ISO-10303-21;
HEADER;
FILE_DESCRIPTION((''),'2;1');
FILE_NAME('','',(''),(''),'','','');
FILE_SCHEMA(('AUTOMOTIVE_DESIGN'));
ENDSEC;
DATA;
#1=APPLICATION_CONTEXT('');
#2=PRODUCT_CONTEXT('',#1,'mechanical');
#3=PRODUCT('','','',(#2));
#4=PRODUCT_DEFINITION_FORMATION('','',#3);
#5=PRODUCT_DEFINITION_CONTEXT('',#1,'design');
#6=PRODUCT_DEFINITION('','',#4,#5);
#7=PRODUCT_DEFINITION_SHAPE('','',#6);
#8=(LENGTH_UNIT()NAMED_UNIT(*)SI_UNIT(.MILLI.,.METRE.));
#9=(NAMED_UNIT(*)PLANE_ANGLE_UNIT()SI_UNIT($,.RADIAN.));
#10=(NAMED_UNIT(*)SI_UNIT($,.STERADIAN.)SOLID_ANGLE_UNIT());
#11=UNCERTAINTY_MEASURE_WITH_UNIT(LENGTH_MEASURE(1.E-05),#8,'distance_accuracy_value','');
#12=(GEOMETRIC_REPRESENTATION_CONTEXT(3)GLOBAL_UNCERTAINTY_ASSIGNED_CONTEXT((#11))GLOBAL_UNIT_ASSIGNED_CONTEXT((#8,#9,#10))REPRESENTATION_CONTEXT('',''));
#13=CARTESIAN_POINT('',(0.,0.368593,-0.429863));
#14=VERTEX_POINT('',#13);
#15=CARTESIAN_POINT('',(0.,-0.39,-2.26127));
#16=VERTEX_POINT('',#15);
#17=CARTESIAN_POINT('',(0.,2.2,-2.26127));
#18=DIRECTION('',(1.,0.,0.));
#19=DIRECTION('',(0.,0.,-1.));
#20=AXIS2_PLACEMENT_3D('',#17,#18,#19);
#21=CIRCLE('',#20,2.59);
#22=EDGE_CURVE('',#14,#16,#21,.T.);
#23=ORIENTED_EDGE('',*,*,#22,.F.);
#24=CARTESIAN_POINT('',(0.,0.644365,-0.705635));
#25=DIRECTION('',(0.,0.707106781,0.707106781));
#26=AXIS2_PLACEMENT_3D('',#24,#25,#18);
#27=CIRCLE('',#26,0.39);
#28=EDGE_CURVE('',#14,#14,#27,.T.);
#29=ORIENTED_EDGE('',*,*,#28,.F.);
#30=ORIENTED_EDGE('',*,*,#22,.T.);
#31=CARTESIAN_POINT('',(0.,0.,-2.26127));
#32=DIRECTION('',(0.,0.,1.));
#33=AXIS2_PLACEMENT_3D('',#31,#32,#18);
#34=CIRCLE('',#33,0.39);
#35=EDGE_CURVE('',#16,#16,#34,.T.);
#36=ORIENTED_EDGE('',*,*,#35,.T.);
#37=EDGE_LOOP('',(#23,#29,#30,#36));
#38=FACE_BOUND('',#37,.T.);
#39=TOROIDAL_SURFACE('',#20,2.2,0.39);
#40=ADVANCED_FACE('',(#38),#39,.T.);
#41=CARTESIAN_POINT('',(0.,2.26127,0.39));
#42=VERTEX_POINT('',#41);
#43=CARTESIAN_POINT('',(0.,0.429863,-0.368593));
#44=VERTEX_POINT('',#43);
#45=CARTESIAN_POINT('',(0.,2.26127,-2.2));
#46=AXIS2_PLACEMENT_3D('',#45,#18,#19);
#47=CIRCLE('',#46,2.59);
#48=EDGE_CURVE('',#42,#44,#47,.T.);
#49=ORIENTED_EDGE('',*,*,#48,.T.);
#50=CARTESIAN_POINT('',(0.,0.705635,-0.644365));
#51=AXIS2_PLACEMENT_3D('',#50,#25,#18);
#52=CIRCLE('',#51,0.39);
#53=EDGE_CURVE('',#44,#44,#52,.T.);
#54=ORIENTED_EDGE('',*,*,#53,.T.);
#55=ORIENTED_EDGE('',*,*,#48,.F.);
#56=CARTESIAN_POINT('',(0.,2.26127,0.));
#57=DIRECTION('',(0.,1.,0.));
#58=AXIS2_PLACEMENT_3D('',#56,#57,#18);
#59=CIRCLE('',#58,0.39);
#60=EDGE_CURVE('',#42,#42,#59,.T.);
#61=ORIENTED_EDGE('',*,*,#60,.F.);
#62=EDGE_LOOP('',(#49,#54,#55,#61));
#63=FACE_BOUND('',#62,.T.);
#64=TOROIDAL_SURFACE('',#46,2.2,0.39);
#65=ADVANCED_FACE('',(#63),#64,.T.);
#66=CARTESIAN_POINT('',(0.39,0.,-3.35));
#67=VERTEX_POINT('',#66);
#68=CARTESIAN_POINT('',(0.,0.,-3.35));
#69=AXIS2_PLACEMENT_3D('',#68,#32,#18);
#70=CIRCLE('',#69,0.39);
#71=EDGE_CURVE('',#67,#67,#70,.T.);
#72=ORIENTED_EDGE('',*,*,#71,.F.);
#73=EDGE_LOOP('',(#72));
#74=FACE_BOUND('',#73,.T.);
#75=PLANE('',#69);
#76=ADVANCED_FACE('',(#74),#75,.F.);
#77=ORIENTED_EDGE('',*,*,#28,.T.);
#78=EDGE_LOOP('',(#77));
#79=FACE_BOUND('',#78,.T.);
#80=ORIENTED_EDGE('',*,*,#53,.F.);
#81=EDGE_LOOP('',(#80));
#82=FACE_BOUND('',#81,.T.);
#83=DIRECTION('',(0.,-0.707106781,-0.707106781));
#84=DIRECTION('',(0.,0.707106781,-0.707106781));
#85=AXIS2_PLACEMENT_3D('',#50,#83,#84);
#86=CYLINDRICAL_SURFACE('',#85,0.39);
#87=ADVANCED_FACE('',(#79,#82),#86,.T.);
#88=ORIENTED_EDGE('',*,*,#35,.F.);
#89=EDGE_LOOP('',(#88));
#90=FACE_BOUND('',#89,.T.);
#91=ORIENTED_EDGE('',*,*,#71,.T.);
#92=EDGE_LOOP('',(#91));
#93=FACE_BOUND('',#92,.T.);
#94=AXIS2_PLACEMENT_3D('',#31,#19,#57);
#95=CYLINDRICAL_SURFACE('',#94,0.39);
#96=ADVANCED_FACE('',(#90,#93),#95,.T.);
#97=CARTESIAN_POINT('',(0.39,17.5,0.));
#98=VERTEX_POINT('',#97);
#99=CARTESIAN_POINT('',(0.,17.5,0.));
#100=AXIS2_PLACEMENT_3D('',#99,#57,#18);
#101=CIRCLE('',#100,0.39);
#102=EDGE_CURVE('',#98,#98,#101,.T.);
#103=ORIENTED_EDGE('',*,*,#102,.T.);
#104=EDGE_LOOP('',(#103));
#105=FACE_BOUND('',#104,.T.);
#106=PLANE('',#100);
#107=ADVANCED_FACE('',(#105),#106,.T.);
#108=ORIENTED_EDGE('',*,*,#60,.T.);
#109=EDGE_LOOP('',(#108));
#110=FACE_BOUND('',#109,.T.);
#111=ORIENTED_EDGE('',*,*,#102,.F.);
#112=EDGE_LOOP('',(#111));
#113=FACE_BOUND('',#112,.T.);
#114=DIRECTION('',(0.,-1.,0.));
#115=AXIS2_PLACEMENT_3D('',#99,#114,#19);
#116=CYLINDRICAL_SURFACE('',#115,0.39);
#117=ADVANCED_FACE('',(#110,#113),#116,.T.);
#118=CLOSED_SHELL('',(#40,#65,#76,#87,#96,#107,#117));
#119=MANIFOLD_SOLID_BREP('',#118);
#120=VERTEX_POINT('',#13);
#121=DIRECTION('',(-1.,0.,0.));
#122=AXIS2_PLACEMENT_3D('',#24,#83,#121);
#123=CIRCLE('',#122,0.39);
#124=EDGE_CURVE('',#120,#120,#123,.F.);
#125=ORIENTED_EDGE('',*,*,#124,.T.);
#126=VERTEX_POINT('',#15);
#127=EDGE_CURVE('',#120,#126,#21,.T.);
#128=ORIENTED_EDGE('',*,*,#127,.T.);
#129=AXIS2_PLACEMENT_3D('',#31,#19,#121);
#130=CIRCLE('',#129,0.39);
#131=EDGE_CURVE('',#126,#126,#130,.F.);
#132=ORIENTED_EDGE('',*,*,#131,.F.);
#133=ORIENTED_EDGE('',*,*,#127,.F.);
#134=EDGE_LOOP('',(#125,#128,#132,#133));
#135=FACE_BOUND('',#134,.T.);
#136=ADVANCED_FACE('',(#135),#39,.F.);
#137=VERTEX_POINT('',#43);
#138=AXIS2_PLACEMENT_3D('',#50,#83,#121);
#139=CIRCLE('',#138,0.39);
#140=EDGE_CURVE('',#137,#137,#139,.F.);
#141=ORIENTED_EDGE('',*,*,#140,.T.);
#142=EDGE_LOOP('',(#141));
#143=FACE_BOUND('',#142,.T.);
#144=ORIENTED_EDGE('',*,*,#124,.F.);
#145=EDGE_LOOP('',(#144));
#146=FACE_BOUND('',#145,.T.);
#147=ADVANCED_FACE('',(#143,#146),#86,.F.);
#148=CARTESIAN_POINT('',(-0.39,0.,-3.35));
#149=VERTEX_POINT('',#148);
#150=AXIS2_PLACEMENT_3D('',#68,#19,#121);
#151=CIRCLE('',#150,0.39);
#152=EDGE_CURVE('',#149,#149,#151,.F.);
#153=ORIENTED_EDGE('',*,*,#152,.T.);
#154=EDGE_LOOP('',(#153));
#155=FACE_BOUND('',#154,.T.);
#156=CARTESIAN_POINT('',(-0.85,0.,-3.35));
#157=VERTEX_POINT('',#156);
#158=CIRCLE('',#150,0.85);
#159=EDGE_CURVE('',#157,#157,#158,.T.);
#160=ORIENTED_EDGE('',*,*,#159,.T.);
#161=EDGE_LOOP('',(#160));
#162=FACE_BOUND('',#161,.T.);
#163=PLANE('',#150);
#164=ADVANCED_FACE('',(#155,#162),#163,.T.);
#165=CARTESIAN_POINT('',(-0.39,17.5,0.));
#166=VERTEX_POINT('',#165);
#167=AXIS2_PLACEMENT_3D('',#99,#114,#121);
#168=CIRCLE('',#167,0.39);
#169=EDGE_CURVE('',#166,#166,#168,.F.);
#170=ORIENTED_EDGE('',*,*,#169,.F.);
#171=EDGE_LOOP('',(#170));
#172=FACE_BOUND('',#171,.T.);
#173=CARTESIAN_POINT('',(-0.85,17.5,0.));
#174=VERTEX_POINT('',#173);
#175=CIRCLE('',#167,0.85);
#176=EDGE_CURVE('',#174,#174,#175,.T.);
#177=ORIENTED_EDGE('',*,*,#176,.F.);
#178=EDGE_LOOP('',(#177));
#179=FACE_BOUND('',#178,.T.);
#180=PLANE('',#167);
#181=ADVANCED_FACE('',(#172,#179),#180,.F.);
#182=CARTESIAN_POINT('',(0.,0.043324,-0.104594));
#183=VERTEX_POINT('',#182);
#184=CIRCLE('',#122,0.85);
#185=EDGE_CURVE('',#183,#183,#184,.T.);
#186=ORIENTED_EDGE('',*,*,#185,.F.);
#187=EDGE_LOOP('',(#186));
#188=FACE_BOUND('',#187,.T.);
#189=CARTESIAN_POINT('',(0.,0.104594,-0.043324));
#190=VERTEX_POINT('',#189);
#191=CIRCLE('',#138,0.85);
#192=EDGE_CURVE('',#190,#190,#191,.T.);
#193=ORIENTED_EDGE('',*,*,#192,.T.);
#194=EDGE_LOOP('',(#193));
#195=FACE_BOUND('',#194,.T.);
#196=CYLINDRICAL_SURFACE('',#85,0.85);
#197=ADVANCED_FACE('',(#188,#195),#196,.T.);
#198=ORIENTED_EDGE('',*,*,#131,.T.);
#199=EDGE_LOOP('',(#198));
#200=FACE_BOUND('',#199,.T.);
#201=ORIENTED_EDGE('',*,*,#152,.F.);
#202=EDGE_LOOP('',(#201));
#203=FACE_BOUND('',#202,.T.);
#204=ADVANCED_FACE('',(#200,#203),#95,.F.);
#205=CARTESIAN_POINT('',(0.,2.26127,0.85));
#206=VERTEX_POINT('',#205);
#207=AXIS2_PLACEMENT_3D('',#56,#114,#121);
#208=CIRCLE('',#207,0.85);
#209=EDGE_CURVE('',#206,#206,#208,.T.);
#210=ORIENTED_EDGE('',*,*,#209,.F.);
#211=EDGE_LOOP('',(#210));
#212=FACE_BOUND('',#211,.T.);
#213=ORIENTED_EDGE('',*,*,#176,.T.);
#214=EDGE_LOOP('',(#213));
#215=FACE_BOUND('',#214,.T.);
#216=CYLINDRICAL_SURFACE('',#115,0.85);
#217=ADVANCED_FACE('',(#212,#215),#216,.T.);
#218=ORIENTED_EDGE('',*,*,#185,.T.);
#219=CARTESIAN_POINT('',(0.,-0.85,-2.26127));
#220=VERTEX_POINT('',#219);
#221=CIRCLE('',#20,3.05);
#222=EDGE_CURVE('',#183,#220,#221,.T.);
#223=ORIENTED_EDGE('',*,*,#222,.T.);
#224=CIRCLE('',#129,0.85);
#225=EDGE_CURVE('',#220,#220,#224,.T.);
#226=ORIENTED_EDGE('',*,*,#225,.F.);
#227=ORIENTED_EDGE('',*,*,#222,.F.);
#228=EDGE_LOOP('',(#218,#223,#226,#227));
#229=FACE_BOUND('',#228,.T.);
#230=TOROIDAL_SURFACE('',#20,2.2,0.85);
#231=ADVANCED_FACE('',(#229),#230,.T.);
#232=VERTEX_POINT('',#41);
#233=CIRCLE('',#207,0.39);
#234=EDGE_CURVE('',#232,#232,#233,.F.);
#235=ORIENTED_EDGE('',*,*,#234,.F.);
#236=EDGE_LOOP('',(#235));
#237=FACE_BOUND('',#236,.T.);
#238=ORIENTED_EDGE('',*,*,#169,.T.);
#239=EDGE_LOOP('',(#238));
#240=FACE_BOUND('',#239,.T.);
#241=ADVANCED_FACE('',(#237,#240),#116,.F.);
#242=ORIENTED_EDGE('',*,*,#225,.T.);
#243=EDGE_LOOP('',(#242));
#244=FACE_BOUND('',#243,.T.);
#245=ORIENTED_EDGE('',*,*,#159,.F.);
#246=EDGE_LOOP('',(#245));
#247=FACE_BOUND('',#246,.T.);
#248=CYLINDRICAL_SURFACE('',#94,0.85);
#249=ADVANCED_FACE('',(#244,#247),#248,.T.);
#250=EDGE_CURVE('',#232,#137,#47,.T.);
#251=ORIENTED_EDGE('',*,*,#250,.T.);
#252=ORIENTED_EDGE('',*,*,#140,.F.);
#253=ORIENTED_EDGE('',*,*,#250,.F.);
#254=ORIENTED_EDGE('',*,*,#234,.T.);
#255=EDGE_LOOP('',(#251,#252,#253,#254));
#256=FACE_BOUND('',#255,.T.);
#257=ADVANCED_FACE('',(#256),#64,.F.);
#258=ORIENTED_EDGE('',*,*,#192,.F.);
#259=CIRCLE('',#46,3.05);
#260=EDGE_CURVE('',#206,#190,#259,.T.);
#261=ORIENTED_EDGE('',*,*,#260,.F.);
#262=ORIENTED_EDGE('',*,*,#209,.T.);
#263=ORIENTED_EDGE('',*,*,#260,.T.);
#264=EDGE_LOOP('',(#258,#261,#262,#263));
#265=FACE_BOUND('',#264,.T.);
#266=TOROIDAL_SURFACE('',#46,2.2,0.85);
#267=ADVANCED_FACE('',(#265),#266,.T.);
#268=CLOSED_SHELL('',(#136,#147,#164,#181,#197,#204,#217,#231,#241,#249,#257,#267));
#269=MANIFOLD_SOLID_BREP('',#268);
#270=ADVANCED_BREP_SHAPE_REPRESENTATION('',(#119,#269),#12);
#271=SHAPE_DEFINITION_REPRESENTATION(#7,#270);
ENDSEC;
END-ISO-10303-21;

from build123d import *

# Parameters (mm, degrees)
SKETCH_2_R   = 0.39
SKETCH_3_R   = 0.85
SKETCH_3_R_2 = 0.39


with BuildPart() as part:
    # По траектории1: sweep along a path in Эскиз1
    with BuildLine(Plane(origin=(0, 0, 0), x_dir=(0, 0, -1), z_dir=(1, 0, 0))) as sweep_1_path:
        Line((0, 17.49999984), (0, 2.26126984))
        ThreePointArc((0, 2.26126984), (0.167465028, 1.419366289), (0.644365081, 0.705634921))
        Line((0.644365081, 0.705634921), (0.705634921, 0.644365081))
        ThreePointArc((0.705634921, 0.644365081), (1.419366289, 0.167465028), (2.26126984, 0))
        Line((2.26126984, 0), (3.35, 0))
    # Эскиз2 → По траектории1 (sweep)
    with BuildSketch(Plane.XY.offset(-3.35)):
        Circle(SKETCH_2_R)
    sweep(path=sweep_1_path.line)


with BuildPart() as body_2:
    # По траектории2: sweep along a path in Эскиз1<2>
    with BuildLine(Plane(origin=(0, 0, 0), x_dir=(0, 0, -1), z_dir=(1, 0, 0))) as sweep_2_path:
        Line((0, 17.49999984), (0, 2.26126984))
        ThreePointArc((0, 2.26126984), (0.167465028, 1.419366289), (0.644365081, 0.705634921))
        Line((0.644365081, 0.705634921), (0.705634921, 0.644365081))
        ThreePointArc((0.705634921, 0.644365081), (1.419366289, 0.167465028), (2.26126984, 0))
        Line((2.26126984, 0), (3.35, 0))
    # Эскиз3 → По траектории2 (sweep)
    with BuildSketch(Plane(origin=(0, 0, -3.35), x_dir=(-1, 0, 0), z_dir=(0, 0, -1))):
        Circle(SKETCH_3_R)
        Circle(SKETCH_3_R_2, mode=Mode.SUBTRACT)
    sweep(path=sweep_2_path.line)


solid = Compound([part.part, body_2.part])
